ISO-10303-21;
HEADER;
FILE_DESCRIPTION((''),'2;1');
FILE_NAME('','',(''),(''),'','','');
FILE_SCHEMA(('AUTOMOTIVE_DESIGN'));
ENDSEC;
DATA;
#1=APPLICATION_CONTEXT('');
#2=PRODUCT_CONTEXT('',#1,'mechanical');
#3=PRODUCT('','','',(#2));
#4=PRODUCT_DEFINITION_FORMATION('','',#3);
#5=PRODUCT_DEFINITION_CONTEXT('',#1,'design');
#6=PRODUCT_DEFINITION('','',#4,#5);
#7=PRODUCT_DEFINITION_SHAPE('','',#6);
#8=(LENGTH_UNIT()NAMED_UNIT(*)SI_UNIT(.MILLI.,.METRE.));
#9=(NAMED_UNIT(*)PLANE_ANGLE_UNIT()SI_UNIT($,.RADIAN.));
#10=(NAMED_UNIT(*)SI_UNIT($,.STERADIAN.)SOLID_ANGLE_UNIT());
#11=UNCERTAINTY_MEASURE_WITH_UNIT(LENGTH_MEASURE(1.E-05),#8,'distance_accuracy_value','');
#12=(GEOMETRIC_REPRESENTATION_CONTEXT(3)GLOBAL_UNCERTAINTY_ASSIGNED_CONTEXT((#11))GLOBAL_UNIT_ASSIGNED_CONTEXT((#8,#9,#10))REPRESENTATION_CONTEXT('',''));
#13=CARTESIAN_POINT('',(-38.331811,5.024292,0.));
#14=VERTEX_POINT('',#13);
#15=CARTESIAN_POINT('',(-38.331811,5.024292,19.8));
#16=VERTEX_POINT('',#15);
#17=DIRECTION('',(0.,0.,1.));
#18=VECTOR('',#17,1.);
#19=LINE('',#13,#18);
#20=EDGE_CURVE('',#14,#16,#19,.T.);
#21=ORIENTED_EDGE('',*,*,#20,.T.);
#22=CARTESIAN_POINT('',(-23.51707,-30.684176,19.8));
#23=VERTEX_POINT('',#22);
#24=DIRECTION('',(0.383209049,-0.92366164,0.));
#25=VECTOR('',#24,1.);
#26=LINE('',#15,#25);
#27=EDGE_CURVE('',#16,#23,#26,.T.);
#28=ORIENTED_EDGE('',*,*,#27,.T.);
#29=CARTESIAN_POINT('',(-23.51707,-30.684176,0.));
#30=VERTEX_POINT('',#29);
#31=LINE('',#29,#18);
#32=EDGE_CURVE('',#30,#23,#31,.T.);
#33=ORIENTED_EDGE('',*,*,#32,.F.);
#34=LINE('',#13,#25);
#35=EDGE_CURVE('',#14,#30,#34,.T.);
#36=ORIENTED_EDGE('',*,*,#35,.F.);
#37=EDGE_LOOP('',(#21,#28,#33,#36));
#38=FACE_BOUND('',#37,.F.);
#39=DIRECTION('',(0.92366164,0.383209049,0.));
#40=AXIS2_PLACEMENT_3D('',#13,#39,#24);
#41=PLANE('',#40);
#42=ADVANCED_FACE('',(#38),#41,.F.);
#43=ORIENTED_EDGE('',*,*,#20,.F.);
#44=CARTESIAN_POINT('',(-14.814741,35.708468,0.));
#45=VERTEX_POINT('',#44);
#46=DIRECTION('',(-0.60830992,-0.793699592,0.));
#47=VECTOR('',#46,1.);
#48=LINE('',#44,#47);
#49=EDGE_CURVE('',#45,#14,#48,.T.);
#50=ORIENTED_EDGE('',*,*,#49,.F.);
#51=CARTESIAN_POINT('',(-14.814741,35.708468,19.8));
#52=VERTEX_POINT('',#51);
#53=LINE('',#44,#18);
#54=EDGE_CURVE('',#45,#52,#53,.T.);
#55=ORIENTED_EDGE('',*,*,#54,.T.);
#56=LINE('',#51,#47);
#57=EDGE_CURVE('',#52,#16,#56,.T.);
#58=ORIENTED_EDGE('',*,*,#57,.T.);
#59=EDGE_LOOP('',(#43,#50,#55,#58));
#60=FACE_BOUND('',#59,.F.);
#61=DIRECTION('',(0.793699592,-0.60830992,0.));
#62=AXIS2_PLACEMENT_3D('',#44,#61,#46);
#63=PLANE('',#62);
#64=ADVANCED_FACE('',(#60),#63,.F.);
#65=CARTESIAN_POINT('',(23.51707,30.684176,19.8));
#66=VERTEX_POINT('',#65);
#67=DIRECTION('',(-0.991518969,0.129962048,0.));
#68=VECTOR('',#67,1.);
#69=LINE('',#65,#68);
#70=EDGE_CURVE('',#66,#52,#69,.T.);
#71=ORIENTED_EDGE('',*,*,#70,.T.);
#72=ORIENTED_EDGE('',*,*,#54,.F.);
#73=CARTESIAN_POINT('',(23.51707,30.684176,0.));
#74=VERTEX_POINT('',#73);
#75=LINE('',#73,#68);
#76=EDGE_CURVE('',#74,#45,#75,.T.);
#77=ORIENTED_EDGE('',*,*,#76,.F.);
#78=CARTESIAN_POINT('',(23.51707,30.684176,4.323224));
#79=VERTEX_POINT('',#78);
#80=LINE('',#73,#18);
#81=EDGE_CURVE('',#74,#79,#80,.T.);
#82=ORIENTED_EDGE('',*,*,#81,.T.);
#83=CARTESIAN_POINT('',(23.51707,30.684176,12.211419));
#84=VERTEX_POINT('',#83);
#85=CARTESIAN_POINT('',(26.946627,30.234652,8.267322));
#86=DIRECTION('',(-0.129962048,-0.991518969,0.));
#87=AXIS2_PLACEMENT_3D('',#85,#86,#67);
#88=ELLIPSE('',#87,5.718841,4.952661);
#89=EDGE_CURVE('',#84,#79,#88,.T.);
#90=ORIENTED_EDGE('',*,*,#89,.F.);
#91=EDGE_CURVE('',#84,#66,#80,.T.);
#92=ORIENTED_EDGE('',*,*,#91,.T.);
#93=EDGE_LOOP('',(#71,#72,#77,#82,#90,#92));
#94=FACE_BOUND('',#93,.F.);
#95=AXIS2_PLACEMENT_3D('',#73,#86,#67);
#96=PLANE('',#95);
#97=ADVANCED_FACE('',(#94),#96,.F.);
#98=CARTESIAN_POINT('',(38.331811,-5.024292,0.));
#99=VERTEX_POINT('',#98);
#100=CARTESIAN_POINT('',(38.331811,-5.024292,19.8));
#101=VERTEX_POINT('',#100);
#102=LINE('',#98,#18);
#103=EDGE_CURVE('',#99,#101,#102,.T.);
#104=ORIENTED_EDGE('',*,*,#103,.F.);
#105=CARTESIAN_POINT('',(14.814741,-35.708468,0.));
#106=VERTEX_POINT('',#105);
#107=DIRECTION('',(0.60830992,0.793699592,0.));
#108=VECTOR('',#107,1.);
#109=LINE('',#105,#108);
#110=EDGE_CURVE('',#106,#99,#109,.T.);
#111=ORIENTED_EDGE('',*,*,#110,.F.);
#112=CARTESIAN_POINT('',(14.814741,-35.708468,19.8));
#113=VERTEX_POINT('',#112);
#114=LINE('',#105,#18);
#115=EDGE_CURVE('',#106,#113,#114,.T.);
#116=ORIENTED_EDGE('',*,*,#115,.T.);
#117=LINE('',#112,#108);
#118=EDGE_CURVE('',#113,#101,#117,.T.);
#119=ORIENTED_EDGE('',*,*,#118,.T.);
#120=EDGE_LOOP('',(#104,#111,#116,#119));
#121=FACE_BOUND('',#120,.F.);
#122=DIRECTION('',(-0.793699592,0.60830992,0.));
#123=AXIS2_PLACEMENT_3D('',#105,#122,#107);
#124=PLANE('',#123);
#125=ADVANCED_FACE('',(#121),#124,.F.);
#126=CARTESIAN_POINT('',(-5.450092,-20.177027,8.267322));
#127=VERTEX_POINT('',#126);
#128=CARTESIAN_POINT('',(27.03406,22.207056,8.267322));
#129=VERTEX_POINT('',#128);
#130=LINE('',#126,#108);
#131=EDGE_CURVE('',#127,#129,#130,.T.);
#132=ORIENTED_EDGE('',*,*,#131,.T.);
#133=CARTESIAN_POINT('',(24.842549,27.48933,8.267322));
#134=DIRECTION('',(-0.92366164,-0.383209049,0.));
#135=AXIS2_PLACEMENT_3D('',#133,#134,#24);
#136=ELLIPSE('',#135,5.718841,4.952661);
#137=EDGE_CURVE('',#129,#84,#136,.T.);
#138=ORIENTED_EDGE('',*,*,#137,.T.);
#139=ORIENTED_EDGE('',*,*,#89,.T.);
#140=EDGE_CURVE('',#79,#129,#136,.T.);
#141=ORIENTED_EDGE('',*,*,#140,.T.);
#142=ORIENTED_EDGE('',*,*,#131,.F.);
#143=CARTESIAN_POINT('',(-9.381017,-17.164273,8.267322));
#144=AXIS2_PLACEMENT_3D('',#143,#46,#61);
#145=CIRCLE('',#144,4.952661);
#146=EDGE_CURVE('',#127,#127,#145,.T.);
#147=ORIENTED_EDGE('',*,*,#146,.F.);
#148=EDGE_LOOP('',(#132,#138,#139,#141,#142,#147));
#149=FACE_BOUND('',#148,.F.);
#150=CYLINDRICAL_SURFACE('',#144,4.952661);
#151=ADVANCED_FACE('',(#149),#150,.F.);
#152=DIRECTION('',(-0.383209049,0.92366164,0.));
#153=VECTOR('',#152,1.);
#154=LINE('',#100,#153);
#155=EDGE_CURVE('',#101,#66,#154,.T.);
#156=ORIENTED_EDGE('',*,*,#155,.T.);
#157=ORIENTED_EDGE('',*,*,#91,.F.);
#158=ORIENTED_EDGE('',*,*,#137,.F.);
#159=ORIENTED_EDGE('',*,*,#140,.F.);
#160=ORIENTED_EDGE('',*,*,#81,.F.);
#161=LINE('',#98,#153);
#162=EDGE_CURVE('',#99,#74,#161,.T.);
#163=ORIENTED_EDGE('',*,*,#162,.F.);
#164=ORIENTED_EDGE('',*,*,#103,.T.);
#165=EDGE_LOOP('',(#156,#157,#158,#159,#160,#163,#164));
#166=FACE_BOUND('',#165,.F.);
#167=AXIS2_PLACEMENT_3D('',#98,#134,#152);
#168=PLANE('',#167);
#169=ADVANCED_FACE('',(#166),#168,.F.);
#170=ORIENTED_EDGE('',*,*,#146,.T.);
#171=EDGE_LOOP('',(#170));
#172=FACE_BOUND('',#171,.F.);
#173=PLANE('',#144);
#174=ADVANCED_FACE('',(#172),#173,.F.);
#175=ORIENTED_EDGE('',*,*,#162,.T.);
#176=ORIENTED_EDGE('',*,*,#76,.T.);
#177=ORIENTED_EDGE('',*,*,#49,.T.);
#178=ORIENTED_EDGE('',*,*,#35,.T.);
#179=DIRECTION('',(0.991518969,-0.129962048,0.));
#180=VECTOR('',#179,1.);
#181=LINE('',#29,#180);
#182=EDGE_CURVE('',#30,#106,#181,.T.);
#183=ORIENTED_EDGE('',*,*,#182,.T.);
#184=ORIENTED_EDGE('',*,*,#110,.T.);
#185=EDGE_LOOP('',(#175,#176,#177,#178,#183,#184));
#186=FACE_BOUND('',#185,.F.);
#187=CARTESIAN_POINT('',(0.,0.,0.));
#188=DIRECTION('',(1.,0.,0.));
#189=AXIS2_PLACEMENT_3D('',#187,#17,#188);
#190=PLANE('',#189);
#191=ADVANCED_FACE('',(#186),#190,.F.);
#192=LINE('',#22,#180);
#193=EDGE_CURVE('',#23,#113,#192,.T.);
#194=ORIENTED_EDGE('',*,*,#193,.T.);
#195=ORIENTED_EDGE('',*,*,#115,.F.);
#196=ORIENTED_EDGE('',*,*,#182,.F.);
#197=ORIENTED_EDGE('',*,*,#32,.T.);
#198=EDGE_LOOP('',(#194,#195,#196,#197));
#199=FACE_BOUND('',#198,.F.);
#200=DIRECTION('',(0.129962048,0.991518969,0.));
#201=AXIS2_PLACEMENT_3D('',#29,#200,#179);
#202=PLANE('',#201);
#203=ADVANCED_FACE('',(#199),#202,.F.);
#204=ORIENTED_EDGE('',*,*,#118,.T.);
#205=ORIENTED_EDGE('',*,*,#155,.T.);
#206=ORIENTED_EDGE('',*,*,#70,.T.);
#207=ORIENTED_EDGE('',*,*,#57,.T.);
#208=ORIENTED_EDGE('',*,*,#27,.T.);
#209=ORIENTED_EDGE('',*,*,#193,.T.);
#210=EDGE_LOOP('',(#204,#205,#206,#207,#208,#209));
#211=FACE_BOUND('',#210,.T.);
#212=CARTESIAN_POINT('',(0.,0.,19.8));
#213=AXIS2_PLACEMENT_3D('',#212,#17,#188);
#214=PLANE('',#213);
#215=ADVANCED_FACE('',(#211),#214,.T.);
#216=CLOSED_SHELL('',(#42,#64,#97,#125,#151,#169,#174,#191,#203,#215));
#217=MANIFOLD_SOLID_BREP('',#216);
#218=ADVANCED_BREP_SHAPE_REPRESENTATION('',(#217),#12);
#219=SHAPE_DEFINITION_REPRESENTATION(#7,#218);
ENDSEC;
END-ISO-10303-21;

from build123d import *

# Parameters (mm, degrees)
F1_DEPTH = 19.8
F3_R     = 4.9526613481
F4_DEPTH = 65.3


with BuildPart() as f1:
    # F0 (on Top) → F1 (new body)
    with BuildSketch(Plane.XY):
        Polygon((-14.8147411769, 35.708468128), (-38.3318111176, 5.0242918543), (-23.5170699406, -30.6841762737), (14.8147411769, -35.708468128), (38.3318111176, -5.0242918543), (23.5170699406, 30.6841762737), align=None)
    extrude(amount=F1_DEPTH)

    # F3 (on 3pt) → F4 (cut)
    with BuildSketch(Plane(origin=(-11.7585349703, -15.3420881369, 0), x_dir=(0.7936995915, -0.6083099197, 0), z_dir=(-0.6083099197, -0.7936995915, 0))):
        with Locations((2.9954884667, 8.2673216239)):
            Circle(F3_R)
    extrude(amount=-F4_DEPTH, mode=Mode.SUBTRACT)


solid = f1.part
